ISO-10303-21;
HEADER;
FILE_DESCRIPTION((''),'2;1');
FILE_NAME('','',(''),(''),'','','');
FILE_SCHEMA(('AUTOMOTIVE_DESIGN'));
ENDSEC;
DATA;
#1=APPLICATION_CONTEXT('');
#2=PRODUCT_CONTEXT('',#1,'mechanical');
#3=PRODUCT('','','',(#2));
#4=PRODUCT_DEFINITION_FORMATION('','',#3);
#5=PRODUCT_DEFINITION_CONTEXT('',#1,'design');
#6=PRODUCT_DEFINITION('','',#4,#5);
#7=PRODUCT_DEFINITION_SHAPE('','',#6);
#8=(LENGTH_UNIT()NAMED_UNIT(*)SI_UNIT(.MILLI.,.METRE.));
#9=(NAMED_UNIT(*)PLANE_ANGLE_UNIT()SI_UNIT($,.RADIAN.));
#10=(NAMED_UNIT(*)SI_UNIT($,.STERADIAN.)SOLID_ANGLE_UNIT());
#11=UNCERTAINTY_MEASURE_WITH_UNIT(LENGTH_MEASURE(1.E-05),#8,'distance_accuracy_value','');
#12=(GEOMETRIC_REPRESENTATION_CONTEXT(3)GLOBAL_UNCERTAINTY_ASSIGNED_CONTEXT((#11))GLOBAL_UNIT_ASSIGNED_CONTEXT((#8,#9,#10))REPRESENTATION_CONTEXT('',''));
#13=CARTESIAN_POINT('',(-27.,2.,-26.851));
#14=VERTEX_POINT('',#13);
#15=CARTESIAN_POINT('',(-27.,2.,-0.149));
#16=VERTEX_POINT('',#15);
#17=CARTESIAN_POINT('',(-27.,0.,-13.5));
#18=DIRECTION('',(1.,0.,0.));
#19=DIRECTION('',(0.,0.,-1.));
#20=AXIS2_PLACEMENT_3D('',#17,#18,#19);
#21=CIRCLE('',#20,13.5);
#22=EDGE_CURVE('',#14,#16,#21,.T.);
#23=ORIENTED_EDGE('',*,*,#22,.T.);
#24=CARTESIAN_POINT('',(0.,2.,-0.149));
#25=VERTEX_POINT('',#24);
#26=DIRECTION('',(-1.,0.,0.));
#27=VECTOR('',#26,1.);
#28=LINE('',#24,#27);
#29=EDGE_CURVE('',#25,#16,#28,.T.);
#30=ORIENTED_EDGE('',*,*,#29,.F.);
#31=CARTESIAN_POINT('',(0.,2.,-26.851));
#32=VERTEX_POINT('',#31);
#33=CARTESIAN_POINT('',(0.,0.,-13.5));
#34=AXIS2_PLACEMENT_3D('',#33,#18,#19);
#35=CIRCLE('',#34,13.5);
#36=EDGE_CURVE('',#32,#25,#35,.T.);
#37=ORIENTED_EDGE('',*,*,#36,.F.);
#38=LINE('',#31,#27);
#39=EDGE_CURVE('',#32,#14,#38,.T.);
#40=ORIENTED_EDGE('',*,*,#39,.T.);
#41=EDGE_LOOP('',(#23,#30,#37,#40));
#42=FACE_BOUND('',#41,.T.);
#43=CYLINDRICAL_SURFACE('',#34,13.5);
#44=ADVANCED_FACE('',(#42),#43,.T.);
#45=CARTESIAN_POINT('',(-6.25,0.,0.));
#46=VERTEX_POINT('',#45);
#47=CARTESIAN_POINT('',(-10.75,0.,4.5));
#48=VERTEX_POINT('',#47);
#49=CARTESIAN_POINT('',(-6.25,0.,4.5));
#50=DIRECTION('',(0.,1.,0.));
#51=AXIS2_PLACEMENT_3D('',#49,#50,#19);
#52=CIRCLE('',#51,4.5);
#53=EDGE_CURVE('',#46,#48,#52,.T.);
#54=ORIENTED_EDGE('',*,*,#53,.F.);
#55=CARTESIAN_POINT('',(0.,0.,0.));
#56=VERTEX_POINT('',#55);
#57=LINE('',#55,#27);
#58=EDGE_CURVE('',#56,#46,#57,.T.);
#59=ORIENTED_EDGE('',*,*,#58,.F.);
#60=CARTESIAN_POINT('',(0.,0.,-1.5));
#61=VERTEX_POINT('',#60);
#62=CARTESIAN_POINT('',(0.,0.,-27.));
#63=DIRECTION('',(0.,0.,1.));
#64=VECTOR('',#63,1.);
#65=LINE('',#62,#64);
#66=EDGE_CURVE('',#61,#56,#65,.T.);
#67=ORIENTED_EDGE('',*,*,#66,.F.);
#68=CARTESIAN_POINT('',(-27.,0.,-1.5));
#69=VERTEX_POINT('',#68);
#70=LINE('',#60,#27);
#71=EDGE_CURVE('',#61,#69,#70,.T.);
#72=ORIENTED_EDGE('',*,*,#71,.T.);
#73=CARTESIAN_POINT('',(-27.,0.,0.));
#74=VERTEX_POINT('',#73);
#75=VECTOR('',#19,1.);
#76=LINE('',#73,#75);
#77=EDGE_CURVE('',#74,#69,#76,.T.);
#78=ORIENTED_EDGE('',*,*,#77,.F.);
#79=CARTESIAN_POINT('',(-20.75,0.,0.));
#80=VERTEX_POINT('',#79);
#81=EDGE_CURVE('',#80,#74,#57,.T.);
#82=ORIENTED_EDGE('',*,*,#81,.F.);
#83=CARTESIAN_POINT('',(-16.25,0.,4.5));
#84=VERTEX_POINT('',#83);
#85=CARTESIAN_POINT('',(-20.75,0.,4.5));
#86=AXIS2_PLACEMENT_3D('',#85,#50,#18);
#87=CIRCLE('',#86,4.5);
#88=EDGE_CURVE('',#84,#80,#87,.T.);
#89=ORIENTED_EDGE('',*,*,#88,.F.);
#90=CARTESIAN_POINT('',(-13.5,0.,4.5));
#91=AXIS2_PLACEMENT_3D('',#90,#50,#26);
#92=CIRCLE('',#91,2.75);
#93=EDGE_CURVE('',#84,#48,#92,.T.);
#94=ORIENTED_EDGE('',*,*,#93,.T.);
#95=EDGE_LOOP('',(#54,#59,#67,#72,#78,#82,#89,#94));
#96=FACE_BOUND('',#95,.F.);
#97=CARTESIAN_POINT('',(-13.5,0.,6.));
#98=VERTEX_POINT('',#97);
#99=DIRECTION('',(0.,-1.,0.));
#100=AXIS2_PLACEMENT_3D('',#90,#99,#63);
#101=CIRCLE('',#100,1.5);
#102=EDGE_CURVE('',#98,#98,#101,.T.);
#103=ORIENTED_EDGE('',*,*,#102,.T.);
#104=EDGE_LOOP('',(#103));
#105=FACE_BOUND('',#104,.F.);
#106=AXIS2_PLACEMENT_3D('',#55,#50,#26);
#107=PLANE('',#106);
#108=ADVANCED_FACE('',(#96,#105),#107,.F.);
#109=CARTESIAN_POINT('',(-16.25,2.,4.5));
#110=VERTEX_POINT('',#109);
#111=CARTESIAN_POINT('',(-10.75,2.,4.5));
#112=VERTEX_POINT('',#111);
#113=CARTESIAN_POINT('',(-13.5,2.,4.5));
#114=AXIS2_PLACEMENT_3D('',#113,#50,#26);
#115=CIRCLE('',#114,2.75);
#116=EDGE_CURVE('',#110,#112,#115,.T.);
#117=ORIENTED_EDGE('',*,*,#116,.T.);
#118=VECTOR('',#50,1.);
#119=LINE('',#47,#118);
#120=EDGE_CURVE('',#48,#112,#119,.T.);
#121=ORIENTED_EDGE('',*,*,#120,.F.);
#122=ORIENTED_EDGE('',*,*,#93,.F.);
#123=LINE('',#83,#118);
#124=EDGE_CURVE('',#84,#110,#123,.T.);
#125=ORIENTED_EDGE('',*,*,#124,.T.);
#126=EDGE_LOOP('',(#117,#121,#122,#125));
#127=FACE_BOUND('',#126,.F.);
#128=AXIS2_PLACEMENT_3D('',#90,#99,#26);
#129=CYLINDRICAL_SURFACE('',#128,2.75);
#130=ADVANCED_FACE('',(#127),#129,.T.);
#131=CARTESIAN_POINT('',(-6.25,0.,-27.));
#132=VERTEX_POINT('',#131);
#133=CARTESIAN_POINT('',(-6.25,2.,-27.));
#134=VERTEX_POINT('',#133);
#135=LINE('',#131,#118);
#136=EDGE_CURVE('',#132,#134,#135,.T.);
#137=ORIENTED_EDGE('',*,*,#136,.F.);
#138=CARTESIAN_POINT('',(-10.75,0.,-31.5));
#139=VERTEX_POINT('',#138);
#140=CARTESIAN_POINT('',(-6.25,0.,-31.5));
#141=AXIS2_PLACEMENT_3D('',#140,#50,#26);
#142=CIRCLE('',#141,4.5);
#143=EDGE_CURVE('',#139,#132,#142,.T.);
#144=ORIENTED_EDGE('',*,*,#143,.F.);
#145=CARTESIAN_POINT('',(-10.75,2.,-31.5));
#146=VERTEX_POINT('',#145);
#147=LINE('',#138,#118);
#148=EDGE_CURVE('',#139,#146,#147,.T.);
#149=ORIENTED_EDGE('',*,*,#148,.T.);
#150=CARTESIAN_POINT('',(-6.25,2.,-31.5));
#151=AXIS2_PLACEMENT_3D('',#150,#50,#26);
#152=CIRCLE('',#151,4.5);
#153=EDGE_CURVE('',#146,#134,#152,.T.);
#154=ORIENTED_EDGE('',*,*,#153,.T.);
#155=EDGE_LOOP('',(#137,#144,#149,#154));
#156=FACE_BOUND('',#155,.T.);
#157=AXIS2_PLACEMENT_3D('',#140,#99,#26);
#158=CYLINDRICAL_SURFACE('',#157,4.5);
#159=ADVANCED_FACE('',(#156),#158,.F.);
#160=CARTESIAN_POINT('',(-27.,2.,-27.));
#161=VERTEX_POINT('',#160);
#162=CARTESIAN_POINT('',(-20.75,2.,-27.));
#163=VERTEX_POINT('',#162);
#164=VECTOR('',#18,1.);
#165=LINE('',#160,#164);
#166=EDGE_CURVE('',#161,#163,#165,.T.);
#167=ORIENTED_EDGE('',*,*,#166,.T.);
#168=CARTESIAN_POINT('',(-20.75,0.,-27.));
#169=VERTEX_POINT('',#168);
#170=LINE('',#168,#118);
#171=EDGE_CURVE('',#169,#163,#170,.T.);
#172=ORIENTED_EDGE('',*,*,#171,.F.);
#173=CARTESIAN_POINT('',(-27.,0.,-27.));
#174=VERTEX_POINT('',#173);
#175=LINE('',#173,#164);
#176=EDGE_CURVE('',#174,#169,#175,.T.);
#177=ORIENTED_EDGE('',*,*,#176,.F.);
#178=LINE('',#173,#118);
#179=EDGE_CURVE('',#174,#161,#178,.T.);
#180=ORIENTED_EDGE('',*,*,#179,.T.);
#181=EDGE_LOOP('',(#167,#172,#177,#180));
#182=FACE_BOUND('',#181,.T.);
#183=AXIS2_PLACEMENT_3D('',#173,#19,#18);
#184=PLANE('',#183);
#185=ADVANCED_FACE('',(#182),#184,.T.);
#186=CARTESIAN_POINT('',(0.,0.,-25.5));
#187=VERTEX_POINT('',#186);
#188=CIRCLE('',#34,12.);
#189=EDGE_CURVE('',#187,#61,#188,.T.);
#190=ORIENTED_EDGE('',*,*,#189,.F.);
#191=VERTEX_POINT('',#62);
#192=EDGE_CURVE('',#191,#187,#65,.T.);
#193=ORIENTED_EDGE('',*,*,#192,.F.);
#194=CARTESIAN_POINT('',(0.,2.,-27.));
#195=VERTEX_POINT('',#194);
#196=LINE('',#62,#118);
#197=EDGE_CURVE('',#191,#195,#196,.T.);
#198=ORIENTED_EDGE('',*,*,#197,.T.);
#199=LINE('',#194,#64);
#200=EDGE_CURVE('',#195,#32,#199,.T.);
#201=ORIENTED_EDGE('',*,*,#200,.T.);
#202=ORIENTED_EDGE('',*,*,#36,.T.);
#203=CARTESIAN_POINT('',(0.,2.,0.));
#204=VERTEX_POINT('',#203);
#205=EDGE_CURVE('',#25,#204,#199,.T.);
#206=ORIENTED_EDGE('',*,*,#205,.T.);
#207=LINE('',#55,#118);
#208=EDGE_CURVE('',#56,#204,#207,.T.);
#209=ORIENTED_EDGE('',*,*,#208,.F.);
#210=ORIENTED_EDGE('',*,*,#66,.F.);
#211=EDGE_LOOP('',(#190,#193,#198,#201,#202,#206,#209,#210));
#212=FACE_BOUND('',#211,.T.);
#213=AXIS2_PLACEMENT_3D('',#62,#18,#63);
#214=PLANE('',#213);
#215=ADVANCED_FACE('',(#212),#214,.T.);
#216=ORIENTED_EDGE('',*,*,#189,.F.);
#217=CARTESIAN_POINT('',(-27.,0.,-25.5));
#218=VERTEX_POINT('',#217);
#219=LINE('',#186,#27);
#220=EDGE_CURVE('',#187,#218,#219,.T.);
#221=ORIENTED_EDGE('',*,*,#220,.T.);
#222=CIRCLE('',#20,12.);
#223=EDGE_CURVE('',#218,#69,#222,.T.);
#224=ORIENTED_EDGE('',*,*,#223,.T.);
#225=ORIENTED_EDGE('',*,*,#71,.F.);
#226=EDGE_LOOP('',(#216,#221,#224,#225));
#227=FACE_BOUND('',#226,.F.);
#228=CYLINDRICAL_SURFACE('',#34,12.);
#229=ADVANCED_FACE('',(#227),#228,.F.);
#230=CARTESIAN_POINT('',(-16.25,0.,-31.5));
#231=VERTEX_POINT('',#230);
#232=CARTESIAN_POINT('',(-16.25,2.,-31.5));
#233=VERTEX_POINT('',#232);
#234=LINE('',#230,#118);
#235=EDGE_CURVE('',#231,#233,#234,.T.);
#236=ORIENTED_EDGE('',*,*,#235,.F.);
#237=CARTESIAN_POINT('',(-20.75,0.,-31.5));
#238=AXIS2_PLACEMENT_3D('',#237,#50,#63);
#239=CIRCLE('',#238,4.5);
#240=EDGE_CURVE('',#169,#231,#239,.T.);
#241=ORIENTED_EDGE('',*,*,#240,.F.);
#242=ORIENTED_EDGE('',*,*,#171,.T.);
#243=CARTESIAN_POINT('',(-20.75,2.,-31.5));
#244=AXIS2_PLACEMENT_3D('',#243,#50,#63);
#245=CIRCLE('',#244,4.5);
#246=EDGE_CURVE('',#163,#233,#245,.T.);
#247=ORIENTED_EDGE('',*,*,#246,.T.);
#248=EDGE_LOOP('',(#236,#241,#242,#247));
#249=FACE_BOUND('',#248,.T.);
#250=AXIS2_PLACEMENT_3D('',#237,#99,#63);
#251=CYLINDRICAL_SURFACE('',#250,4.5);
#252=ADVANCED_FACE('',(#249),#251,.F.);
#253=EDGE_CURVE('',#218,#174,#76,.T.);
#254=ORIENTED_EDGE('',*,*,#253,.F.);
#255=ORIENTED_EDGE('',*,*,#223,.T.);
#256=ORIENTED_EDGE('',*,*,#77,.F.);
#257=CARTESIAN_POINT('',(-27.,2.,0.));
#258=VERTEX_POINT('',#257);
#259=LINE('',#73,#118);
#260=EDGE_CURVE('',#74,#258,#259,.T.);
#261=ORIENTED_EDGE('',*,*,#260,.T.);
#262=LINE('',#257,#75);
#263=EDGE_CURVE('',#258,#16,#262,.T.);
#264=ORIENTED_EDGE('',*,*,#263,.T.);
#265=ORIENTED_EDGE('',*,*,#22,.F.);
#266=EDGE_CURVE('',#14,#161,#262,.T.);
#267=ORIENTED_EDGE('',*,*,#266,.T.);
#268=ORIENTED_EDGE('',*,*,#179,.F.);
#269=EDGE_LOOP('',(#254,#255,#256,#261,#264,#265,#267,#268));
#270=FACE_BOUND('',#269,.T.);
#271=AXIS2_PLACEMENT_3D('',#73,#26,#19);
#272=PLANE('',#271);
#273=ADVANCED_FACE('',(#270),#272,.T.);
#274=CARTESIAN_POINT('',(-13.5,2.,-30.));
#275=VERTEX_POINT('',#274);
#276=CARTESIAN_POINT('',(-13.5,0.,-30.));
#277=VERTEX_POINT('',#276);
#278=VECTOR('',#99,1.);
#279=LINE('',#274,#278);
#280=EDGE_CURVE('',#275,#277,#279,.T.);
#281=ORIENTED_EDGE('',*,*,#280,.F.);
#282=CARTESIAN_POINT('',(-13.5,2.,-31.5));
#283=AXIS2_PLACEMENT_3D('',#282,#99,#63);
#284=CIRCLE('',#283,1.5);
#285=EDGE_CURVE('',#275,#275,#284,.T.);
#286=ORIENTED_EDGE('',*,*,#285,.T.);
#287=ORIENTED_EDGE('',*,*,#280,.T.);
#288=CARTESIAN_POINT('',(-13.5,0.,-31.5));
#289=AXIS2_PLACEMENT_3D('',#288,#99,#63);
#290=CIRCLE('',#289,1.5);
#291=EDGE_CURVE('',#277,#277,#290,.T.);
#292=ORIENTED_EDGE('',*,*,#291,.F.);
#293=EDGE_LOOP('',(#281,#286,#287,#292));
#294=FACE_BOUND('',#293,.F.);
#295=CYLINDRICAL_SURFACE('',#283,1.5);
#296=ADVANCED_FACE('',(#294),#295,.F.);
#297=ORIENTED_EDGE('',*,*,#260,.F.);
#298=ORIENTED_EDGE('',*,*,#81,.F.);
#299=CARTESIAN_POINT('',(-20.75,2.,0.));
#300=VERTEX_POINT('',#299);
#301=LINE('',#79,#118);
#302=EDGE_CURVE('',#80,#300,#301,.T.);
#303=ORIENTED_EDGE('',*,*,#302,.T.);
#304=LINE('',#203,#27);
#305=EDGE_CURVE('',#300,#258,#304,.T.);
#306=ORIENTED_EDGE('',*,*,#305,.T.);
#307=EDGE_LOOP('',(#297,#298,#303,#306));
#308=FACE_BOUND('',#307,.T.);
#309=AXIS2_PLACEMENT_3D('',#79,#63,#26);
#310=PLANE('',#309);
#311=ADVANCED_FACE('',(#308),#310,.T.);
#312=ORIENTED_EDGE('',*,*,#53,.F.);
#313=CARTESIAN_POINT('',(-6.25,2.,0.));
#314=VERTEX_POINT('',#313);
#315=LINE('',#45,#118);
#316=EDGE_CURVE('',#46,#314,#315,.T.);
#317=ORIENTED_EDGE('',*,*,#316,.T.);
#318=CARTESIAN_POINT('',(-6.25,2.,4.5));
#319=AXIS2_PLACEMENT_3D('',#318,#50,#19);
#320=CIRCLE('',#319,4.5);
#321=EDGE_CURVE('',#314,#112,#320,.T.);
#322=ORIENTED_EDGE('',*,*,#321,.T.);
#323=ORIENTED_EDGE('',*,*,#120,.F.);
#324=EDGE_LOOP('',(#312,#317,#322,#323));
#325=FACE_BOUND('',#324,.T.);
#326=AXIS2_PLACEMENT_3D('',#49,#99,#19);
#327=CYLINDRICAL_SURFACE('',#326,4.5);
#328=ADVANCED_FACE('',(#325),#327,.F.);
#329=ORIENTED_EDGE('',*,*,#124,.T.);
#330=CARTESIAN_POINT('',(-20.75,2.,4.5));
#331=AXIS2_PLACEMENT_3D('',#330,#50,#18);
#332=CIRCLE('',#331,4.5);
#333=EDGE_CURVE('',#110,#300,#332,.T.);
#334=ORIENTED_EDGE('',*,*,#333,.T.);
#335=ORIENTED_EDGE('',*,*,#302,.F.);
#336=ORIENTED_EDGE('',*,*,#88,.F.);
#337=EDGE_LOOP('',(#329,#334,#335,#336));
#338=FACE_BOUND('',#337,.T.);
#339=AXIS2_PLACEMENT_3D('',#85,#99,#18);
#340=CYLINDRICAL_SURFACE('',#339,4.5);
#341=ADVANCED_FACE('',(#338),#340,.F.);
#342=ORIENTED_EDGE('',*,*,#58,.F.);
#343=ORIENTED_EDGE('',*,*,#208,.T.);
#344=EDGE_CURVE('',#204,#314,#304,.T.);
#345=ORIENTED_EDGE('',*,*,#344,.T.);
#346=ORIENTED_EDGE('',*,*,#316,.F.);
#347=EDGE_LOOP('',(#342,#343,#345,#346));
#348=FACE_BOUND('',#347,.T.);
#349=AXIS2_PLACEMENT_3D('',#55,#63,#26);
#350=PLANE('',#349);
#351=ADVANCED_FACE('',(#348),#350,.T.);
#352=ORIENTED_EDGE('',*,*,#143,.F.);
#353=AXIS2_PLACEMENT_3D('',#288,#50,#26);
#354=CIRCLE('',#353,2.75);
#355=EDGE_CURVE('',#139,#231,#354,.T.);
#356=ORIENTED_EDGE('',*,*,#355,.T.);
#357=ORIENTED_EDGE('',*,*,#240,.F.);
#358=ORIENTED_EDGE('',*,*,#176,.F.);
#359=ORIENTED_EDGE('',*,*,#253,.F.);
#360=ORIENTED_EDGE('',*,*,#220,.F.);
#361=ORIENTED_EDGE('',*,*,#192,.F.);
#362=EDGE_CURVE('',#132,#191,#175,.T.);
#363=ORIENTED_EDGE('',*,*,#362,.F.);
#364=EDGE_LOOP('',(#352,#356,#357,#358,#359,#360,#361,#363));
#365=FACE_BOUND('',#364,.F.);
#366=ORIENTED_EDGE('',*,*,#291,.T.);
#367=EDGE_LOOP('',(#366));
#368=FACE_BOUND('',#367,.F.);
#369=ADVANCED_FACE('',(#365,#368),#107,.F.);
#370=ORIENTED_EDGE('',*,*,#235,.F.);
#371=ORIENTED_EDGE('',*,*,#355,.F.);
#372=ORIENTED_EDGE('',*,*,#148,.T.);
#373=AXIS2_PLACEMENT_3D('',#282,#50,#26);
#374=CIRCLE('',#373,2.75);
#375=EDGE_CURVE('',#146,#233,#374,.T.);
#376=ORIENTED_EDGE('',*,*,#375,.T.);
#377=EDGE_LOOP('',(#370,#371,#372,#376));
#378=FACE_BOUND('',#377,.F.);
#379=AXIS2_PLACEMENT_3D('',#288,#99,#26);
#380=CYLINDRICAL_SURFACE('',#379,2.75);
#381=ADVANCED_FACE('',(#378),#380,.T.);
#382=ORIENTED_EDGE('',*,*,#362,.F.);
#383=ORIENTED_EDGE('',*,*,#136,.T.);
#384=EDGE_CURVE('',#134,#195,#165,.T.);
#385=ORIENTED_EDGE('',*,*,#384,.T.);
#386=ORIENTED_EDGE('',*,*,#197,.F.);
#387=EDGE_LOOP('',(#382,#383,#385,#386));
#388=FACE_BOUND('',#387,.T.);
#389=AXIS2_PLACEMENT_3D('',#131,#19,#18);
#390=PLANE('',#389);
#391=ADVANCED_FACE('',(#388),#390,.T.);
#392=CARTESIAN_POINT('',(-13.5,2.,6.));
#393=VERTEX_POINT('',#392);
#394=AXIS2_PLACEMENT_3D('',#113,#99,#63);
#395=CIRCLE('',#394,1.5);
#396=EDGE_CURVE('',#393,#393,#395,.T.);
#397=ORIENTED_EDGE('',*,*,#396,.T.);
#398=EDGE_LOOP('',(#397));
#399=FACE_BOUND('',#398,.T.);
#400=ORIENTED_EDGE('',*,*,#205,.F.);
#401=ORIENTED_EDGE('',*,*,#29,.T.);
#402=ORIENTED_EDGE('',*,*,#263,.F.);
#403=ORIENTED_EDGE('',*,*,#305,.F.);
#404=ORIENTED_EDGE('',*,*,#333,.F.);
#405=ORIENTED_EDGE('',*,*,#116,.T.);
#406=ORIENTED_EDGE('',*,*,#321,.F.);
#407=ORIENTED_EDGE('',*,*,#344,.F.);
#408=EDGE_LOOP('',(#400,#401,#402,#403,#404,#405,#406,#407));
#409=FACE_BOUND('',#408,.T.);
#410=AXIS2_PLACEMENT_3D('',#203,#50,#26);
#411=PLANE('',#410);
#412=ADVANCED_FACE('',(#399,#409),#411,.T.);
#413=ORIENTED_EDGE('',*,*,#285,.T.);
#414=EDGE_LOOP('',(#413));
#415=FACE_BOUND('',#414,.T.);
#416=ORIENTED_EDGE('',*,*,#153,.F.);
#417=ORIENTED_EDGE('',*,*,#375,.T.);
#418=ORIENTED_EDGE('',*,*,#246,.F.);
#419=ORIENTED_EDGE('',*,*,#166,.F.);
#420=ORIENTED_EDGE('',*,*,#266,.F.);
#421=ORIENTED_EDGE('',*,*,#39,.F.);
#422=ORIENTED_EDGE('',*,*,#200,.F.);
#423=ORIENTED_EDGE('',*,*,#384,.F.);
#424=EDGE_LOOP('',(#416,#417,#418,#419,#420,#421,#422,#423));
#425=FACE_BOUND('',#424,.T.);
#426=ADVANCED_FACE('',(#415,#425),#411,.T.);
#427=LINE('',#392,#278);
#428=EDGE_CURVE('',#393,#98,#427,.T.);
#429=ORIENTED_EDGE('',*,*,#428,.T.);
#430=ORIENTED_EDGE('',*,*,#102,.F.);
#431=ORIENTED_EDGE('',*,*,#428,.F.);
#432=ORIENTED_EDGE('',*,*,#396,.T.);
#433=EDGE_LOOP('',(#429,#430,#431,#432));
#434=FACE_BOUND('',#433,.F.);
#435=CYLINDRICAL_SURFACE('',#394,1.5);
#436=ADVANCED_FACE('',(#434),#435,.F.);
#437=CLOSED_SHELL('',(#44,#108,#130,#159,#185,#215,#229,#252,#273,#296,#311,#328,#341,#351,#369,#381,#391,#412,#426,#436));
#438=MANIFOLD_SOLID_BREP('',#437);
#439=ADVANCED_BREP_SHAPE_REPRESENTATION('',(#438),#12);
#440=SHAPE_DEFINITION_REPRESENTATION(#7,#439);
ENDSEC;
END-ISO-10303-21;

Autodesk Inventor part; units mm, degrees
ref_plane "YZ Plane" through (0, 0, 0) normal (1, 0, 0) x (0, 1, 0)
ref_plane "XZ Plane" through (0, 0, 0) normal (0, 1, 0) x (-1, 0, 0)
ref_plane "XY Plane" through (0, 0, 0) normal (0, 0, 1) x (1, 0, 0)
sketch "スケッチ1" plane through (0, 0, 0) normal (0, 1, 0) x (-1, 0, 0)
  line L0 (0, 0) -> (27, 0)
  line L1 (27, 0) -> (27, -27)
  line L2 (27, -27) -> (0, -27)
  line L3 (0, -27) -> (0, 0)
  circle A0 centre (13.5, 4.5) radius 2.75
  line L4 (16.25, 4.5) -> (20.75, 4.5)
  line L5 (10.75, 4.5) -> (6.25, 4.5)
  arc A1 (16.25, 4.5) -> (20.75, 0) centre (20.75, 4.5) ccw
  arc A2 (6.25, 0) -> (10.75, 4.5) centre (6.25, 4.5) ccw
  circle A3 centre (13.5, -31.5) radius 2.75
  line L6 (10.75, -31.5) -> (6.25, -31.5)
  line L7 (16.25, -31.5) -> (20.75, -31.5)
  arc A4 (20.75, -27) -> (16.25, -31.5) centre (20.75, -31.5) ccw
  arc A5 (10.75, -31.5) -> (6.25, -27) centre (6.25, -31.5) ccw
  dimension "d0" = 27
  dimension "d1" = 27
  dimension "d11" = 5.5
  dimension "d12" = 4.5
  dimension "d13" = 4.5
  dimension "d14" = 4.5
  dimension "d15" = 5.5
  dimension "d16" = 4.5
  dimension "d17" = 4.5
  dimension "d18" = 4.5
extrude "押し出し1" add sketch "スケッチ1" along normal blind 2
sketch "スケッチ2" plane through (0, 0, 0) normal (1, 0, 0) x (0, 0, -1)
  line L0 (27, 0) -> (0, 0) projected
  circle A0 centre (13.5, 0) radius 13.5
  line L1 (27, 2) -> (0, 2)
  line L2 (0.149, 2) -> (26.851, 2)
  dimension "d21" = 27
extrude "押し出し2" add sketch "スケッチ2" against normal blind 27 contours L1 A0
sketch "スケッチ3" plane through (0, 2, 0) normal (0, 1, 0) x (1, 0, 0)
  arc A0 (-10.75, 31.5) -> (-16.25, 31.5) centre (-13.5, 31.5) ccw projected
  arc A1 (-16.25, -4.5) -> (-10.75, -4.5) centre (-13.5, -4.5) ccw projected
  point P0 (0, 0)
hole "穴1" at (-13.5, 2, -31.5) at (-13.5, 2, 4.5) direction (0, -1, 0) diameter 3 end through all
sketch "スケッチ4" plane through (0, 0, 0) normal (1, 0, 0) x (0, 0, -1)
  line L0 (27, 0) -> (0, 0) projected
  circle A0 centre (13.5, 0) radius 12
  point P0 (1.5, 0)
  point P1 (25.5, 0)
  dimension "d31" = 24
extrude "押し出し3" cut sketch "スケッチ4" against normal through all contours L0 A0 picked at (16.494, 4.567)
properties part number "daisen_moto_parts2"
